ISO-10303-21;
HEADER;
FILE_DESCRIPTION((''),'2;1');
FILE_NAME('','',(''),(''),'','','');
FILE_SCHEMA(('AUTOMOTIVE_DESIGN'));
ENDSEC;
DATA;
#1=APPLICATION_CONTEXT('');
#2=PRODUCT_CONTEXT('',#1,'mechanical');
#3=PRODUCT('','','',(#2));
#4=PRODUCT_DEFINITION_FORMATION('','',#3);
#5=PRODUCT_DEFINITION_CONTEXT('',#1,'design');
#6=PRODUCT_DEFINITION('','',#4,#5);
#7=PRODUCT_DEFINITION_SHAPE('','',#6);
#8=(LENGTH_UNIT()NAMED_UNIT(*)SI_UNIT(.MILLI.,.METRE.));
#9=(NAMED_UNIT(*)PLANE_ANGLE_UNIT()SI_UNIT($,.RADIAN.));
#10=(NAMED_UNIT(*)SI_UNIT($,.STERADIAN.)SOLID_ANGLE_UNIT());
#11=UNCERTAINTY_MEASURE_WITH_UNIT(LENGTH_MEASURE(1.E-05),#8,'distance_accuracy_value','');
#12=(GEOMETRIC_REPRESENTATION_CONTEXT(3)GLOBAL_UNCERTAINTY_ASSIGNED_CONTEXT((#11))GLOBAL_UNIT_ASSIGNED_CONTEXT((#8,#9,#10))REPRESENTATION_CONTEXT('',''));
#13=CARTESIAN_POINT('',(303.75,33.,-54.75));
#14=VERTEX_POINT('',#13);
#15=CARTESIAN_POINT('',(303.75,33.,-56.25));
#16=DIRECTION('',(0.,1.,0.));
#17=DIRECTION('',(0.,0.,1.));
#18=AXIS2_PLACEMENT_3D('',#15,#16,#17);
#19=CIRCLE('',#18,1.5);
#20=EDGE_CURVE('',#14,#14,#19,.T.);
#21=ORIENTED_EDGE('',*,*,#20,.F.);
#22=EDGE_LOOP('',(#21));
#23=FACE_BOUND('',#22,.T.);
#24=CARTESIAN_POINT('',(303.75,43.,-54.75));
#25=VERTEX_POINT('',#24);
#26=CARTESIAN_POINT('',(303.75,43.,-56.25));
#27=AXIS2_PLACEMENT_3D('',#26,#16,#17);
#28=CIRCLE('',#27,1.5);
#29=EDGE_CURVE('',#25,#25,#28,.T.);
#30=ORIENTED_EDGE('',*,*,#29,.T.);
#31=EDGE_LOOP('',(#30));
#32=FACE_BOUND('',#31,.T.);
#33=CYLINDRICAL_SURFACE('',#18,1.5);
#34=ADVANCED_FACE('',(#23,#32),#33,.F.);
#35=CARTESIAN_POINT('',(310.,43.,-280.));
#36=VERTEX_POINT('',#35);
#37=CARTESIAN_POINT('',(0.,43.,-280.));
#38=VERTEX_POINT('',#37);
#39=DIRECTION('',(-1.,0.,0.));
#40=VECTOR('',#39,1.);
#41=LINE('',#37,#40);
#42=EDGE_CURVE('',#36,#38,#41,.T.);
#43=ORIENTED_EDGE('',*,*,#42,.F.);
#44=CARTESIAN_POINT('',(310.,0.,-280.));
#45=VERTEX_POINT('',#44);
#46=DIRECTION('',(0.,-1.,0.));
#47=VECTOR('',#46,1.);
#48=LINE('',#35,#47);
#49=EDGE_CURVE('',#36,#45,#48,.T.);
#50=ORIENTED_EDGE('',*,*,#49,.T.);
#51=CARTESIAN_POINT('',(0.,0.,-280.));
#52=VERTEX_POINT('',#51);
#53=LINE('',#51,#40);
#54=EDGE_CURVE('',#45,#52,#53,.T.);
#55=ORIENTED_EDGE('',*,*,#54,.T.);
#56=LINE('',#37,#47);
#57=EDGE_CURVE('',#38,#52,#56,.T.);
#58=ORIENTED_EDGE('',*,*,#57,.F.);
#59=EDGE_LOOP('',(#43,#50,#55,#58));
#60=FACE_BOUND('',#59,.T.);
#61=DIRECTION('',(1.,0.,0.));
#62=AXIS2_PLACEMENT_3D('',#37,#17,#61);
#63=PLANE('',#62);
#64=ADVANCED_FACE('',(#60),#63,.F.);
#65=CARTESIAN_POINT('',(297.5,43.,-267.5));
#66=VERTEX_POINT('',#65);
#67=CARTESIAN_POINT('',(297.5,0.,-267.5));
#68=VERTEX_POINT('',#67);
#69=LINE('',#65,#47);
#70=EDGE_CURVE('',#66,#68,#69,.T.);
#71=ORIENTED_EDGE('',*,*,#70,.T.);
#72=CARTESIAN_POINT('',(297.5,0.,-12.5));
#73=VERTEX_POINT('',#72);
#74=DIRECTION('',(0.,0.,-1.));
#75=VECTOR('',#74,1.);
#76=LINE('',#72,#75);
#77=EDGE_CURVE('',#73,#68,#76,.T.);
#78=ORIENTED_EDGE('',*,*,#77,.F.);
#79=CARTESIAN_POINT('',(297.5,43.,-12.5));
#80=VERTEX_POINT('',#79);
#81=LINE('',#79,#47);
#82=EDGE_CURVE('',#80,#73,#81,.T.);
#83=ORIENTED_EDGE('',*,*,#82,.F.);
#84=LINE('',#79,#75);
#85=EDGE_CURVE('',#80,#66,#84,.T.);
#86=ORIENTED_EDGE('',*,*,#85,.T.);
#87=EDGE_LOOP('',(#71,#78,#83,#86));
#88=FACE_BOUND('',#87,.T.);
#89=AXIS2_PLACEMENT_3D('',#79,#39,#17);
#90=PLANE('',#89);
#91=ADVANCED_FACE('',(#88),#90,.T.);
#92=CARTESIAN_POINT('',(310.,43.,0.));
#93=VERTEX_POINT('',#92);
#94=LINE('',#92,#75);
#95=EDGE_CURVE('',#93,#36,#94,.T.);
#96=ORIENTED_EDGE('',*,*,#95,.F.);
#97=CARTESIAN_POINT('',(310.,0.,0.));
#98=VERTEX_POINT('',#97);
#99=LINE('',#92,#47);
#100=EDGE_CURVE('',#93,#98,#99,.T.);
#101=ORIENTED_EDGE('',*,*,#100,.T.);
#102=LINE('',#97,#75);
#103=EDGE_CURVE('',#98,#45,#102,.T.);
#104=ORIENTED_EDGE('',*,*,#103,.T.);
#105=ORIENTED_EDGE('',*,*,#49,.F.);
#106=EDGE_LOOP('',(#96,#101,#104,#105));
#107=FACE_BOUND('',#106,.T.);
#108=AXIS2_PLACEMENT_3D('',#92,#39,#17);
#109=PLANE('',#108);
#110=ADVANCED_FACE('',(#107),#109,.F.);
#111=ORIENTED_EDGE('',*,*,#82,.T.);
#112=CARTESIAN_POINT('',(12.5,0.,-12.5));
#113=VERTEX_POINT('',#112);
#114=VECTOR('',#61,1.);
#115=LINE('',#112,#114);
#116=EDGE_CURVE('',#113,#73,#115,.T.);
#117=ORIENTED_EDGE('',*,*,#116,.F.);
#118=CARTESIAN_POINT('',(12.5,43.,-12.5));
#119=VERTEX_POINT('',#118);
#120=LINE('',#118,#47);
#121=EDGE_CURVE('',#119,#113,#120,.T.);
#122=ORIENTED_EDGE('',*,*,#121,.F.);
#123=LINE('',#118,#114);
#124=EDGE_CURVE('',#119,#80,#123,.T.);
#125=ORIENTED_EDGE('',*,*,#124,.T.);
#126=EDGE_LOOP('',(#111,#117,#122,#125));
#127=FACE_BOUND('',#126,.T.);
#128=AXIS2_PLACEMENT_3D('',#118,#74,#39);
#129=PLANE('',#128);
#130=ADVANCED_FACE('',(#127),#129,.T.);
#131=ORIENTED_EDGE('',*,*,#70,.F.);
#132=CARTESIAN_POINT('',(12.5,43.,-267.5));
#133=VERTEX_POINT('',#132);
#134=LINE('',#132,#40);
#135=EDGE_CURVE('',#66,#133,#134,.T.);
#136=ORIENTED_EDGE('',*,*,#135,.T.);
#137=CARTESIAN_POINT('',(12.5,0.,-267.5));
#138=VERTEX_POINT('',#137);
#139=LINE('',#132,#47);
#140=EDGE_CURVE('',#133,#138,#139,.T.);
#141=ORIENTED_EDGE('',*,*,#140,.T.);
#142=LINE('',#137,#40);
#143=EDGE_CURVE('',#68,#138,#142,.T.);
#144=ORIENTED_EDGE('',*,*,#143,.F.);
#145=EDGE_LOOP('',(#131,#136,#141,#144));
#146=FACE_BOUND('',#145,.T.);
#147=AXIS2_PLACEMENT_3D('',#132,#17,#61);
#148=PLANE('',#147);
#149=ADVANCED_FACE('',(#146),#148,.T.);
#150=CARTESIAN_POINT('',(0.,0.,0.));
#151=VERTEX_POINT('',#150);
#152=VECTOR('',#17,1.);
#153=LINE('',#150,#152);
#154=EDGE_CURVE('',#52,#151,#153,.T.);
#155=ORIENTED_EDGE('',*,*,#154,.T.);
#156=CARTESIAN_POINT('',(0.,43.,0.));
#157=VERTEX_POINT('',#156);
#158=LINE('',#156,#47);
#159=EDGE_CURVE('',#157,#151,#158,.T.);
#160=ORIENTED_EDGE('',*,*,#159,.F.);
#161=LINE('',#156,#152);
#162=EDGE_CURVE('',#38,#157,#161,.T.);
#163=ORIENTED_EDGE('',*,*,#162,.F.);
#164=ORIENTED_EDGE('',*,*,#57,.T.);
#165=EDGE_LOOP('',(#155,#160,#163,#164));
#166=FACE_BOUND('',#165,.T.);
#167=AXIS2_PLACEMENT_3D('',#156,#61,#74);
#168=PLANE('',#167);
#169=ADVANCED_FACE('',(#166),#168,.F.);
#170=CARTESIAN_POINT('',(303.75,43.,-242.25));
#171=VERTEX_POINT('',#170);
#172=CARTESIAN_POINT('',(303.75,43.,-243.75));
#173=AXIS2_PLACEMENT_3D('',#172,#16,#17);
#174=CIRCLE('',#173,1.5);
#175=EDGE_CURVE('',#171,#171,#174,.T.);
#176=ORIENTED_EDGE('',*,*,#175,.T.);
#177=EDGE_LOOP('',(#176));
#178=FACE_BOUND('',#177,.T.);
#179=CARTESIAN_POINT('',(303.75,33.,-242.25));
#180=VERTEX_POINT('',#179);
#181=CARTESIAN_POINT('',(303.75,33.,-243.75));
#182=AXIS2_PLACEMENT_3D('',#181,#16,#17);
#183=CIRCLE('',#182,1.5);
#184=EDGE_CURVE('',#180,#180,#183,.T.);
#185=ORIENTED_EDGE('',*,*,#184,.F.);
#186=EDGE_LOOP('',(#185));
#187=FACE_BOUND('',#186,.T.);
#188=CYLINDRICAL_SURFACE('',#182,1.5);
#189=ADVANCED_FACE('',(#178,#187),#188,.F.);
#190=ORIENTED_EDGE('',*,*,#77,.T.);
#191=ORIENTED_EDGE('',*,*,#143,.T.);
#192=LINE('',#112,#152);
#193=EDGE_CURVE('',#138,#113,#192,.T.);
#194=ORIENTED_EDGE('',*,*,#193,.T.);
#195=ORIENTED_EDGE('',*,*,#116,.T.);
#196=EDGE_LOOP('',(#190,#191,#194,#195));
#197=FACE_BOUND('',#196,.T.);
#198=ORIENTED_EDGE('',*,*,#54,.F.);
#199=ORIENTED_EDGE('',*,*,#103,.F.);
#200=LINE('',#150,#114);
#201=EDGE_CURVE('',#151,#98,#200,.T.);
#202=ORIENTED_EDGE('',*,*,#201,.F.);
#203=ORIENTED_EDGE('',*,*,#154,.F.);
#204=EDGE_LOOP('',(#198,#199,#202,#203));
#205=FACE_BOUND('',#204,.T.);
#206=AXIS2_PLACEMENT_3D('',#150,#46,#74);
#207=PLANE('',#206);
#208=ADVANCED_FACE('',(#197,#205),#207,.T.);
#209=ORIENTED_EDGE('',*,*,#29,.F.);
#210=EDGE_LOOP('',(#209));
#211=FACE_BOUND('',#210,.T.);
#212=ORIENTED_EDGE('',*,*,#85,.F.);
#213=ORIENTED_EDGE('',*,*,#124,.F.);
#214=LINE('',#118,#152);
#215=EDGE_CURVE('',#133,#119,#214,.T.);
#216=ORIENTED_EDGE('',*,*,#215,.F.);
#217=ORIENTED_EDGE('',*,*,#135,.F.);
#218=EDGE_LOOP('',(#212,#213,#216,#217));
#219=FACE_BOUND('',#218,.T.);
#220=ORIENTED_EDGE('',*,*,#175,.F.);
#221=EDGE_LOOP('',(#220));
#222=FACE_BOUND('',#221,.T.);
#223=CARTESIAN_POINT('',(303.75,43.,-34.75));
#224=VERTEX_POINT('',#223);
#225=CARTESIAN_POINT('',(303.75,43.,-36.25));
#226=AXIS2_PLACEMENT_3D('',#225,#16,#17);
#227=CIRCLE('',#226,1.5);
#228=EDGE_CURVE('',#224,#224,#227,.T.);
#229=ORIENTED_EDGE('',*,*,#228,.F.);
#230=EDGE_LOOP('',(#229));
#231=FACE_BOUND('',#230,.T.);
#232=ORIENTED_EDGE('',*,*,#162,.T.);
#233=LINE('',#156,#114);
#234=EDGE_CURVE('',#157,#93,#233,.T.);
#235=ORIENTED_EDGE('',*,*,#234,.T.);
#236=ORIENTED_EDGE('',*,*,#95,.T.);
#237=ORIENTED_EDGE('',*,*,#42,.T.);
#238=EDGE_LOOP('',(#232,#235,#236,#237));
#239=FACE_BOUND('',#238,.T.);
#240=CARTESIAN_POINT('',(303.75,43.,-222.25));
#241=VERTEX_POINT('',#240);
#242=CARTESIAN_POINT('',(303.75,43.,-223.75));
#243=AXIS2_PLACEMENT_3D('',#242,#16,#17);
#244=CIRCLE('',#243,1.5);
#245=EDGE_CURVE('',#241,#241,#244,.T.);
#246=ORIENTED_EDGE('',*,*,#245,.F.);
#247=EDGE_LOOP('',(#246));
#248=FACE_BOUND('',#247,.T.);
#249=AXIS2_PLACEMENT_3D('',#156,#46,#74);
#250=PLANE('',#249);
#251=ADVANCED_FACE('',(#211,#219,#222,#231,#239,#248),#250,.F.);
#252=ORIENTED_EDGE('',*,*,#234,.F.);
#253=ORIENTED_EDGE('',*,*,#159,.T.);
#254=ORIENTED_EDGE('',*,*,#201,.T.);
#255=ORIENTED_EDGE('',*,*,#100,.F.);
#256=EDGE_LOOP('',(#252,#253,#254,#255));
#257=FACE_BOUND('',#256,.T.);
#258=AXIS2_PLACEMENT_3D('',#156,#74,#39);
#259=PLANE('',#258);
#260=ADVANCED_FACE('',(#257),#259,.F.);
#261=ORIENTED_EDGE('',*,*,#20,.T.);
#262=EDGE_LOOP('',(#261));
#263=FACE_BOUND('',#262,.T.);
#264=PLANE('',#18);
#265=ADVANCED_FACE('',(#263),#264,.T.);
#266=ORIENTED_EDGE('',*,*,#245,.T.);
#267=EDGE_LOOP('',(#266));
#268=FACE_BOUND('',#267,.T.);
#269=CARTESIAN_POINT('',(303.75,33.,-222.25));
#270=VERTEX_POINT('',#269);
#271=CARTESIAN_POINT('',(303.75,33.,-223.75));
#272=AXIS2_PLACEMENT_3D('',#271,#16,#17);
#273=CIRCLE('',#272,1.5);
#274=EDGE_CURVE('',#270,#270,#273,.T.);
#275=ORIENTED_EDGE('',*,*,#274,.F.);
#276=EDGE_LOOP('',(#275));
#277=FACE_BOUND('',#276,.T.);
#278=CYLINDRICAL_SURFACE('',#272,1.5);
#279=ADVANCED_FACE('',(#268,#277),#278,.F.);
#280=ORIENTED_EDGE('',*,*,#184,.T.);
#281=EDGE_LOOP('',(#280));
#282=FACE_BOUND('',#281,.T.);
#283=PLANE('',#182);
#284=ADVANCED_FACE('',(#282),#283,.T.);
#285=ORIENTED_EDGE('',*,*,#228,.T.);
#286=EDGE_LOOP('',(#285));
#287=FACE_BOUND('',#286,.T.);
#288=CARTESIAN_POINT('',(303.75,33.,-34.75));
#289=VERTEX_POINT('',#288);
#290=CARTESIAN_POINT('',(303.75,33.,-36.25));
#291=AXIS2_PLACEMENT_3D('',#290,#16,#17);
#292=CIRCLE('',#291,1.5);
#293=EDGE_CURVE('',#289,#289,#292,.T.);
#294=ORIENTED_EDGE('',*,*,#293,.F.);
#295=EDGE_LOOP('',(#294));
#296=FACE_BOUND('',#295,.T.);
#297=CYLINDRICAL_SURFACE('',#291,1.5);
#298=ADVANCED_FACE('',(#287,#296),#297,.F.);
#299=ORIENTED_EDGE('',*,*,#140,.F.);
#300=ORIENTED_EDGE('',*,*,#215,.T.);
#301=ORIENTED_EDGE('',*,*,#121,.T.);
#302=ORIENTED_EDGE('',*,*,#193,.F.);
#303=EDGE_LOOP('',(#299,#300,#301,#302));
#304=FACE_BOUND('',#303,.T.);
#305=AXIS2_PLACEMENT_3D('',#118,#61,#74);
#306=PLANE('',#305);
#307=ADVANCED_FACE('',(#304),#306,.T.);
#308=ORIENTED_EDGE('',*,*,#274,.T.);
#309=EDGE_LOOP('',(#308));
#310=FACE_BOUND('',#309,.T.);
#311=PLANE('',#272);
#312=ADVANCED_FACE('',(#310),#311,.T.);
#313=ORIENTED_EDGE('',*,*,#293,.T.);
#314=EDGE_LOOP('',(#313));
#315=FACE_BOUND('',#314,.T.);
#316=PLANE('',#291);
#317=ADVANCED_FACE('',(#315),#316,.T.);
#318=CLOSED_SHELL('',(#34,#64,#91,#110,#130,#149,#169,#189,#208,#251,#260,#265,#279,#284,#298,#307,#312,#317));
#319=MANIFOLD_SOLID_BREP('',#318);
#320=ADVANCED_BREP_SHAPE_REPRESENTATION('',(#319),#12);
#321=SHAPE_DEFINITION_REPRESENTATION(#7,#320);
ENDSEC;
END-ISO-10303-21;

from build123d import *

# Parameters (mm, degrees)
SKETCH1_W           = 310
SKETCH1_H           = 280
SKETCH1_W_2         = 285
SKETCH1_H_2         = 255
BOSS_EXTRUDE1_DEPTH = 43
SKETCH2_R           = 1.5
CUT_EXTRUDE1_DEPTH  = 10


with BuildPart() as part:
    # Sketch1 → Boss-Extrude1 (new body)
    with BuildSketch(Plane(origin=(0, 0, 0), x_dir=(1, 0, 0), z_dir=(0, 1, 0))):
        with Locations((155, 140)):
            Rectangle(SKETCH1_W, SKETCH1_H)
        with Locations((155, 140)):
            Rectangle(SKETCH1_W_2, SKETCH1_H_2, mode=Mode.SUBTRACT)
    extrude(amount=BOSS_EXTRUDE1_DEPTH)

    # Sketch2 → Cut-Extrude1 (cut)
    with BuildSketch(Plane(origin=(0, 43, 0), x_dir=(1, 0, 0), z_dir=(0, 1, 0))):
        with Locations(Location((303.75, 243.75, 0), (0, 0, 270))):
            Circle(SKETCH2_R)
        with Locations(Location((303.75, 223.75, 0), (0, 0, 270))):
            Circle(SKETCH2_R)
        with Locations(Location((303.75, 56.25, 0), (0, 0, 270))):
            Circle(SKETCH2_R)
        with Locations(Location((303.75, 36.25, 0), (0, 0, 270))):
            Circle(SKETCH2_R)
    extrude(amount=-CUT_EXTRUDE1_DEPTH, mode=Mode.SUBTRACT)


solid = part.part
